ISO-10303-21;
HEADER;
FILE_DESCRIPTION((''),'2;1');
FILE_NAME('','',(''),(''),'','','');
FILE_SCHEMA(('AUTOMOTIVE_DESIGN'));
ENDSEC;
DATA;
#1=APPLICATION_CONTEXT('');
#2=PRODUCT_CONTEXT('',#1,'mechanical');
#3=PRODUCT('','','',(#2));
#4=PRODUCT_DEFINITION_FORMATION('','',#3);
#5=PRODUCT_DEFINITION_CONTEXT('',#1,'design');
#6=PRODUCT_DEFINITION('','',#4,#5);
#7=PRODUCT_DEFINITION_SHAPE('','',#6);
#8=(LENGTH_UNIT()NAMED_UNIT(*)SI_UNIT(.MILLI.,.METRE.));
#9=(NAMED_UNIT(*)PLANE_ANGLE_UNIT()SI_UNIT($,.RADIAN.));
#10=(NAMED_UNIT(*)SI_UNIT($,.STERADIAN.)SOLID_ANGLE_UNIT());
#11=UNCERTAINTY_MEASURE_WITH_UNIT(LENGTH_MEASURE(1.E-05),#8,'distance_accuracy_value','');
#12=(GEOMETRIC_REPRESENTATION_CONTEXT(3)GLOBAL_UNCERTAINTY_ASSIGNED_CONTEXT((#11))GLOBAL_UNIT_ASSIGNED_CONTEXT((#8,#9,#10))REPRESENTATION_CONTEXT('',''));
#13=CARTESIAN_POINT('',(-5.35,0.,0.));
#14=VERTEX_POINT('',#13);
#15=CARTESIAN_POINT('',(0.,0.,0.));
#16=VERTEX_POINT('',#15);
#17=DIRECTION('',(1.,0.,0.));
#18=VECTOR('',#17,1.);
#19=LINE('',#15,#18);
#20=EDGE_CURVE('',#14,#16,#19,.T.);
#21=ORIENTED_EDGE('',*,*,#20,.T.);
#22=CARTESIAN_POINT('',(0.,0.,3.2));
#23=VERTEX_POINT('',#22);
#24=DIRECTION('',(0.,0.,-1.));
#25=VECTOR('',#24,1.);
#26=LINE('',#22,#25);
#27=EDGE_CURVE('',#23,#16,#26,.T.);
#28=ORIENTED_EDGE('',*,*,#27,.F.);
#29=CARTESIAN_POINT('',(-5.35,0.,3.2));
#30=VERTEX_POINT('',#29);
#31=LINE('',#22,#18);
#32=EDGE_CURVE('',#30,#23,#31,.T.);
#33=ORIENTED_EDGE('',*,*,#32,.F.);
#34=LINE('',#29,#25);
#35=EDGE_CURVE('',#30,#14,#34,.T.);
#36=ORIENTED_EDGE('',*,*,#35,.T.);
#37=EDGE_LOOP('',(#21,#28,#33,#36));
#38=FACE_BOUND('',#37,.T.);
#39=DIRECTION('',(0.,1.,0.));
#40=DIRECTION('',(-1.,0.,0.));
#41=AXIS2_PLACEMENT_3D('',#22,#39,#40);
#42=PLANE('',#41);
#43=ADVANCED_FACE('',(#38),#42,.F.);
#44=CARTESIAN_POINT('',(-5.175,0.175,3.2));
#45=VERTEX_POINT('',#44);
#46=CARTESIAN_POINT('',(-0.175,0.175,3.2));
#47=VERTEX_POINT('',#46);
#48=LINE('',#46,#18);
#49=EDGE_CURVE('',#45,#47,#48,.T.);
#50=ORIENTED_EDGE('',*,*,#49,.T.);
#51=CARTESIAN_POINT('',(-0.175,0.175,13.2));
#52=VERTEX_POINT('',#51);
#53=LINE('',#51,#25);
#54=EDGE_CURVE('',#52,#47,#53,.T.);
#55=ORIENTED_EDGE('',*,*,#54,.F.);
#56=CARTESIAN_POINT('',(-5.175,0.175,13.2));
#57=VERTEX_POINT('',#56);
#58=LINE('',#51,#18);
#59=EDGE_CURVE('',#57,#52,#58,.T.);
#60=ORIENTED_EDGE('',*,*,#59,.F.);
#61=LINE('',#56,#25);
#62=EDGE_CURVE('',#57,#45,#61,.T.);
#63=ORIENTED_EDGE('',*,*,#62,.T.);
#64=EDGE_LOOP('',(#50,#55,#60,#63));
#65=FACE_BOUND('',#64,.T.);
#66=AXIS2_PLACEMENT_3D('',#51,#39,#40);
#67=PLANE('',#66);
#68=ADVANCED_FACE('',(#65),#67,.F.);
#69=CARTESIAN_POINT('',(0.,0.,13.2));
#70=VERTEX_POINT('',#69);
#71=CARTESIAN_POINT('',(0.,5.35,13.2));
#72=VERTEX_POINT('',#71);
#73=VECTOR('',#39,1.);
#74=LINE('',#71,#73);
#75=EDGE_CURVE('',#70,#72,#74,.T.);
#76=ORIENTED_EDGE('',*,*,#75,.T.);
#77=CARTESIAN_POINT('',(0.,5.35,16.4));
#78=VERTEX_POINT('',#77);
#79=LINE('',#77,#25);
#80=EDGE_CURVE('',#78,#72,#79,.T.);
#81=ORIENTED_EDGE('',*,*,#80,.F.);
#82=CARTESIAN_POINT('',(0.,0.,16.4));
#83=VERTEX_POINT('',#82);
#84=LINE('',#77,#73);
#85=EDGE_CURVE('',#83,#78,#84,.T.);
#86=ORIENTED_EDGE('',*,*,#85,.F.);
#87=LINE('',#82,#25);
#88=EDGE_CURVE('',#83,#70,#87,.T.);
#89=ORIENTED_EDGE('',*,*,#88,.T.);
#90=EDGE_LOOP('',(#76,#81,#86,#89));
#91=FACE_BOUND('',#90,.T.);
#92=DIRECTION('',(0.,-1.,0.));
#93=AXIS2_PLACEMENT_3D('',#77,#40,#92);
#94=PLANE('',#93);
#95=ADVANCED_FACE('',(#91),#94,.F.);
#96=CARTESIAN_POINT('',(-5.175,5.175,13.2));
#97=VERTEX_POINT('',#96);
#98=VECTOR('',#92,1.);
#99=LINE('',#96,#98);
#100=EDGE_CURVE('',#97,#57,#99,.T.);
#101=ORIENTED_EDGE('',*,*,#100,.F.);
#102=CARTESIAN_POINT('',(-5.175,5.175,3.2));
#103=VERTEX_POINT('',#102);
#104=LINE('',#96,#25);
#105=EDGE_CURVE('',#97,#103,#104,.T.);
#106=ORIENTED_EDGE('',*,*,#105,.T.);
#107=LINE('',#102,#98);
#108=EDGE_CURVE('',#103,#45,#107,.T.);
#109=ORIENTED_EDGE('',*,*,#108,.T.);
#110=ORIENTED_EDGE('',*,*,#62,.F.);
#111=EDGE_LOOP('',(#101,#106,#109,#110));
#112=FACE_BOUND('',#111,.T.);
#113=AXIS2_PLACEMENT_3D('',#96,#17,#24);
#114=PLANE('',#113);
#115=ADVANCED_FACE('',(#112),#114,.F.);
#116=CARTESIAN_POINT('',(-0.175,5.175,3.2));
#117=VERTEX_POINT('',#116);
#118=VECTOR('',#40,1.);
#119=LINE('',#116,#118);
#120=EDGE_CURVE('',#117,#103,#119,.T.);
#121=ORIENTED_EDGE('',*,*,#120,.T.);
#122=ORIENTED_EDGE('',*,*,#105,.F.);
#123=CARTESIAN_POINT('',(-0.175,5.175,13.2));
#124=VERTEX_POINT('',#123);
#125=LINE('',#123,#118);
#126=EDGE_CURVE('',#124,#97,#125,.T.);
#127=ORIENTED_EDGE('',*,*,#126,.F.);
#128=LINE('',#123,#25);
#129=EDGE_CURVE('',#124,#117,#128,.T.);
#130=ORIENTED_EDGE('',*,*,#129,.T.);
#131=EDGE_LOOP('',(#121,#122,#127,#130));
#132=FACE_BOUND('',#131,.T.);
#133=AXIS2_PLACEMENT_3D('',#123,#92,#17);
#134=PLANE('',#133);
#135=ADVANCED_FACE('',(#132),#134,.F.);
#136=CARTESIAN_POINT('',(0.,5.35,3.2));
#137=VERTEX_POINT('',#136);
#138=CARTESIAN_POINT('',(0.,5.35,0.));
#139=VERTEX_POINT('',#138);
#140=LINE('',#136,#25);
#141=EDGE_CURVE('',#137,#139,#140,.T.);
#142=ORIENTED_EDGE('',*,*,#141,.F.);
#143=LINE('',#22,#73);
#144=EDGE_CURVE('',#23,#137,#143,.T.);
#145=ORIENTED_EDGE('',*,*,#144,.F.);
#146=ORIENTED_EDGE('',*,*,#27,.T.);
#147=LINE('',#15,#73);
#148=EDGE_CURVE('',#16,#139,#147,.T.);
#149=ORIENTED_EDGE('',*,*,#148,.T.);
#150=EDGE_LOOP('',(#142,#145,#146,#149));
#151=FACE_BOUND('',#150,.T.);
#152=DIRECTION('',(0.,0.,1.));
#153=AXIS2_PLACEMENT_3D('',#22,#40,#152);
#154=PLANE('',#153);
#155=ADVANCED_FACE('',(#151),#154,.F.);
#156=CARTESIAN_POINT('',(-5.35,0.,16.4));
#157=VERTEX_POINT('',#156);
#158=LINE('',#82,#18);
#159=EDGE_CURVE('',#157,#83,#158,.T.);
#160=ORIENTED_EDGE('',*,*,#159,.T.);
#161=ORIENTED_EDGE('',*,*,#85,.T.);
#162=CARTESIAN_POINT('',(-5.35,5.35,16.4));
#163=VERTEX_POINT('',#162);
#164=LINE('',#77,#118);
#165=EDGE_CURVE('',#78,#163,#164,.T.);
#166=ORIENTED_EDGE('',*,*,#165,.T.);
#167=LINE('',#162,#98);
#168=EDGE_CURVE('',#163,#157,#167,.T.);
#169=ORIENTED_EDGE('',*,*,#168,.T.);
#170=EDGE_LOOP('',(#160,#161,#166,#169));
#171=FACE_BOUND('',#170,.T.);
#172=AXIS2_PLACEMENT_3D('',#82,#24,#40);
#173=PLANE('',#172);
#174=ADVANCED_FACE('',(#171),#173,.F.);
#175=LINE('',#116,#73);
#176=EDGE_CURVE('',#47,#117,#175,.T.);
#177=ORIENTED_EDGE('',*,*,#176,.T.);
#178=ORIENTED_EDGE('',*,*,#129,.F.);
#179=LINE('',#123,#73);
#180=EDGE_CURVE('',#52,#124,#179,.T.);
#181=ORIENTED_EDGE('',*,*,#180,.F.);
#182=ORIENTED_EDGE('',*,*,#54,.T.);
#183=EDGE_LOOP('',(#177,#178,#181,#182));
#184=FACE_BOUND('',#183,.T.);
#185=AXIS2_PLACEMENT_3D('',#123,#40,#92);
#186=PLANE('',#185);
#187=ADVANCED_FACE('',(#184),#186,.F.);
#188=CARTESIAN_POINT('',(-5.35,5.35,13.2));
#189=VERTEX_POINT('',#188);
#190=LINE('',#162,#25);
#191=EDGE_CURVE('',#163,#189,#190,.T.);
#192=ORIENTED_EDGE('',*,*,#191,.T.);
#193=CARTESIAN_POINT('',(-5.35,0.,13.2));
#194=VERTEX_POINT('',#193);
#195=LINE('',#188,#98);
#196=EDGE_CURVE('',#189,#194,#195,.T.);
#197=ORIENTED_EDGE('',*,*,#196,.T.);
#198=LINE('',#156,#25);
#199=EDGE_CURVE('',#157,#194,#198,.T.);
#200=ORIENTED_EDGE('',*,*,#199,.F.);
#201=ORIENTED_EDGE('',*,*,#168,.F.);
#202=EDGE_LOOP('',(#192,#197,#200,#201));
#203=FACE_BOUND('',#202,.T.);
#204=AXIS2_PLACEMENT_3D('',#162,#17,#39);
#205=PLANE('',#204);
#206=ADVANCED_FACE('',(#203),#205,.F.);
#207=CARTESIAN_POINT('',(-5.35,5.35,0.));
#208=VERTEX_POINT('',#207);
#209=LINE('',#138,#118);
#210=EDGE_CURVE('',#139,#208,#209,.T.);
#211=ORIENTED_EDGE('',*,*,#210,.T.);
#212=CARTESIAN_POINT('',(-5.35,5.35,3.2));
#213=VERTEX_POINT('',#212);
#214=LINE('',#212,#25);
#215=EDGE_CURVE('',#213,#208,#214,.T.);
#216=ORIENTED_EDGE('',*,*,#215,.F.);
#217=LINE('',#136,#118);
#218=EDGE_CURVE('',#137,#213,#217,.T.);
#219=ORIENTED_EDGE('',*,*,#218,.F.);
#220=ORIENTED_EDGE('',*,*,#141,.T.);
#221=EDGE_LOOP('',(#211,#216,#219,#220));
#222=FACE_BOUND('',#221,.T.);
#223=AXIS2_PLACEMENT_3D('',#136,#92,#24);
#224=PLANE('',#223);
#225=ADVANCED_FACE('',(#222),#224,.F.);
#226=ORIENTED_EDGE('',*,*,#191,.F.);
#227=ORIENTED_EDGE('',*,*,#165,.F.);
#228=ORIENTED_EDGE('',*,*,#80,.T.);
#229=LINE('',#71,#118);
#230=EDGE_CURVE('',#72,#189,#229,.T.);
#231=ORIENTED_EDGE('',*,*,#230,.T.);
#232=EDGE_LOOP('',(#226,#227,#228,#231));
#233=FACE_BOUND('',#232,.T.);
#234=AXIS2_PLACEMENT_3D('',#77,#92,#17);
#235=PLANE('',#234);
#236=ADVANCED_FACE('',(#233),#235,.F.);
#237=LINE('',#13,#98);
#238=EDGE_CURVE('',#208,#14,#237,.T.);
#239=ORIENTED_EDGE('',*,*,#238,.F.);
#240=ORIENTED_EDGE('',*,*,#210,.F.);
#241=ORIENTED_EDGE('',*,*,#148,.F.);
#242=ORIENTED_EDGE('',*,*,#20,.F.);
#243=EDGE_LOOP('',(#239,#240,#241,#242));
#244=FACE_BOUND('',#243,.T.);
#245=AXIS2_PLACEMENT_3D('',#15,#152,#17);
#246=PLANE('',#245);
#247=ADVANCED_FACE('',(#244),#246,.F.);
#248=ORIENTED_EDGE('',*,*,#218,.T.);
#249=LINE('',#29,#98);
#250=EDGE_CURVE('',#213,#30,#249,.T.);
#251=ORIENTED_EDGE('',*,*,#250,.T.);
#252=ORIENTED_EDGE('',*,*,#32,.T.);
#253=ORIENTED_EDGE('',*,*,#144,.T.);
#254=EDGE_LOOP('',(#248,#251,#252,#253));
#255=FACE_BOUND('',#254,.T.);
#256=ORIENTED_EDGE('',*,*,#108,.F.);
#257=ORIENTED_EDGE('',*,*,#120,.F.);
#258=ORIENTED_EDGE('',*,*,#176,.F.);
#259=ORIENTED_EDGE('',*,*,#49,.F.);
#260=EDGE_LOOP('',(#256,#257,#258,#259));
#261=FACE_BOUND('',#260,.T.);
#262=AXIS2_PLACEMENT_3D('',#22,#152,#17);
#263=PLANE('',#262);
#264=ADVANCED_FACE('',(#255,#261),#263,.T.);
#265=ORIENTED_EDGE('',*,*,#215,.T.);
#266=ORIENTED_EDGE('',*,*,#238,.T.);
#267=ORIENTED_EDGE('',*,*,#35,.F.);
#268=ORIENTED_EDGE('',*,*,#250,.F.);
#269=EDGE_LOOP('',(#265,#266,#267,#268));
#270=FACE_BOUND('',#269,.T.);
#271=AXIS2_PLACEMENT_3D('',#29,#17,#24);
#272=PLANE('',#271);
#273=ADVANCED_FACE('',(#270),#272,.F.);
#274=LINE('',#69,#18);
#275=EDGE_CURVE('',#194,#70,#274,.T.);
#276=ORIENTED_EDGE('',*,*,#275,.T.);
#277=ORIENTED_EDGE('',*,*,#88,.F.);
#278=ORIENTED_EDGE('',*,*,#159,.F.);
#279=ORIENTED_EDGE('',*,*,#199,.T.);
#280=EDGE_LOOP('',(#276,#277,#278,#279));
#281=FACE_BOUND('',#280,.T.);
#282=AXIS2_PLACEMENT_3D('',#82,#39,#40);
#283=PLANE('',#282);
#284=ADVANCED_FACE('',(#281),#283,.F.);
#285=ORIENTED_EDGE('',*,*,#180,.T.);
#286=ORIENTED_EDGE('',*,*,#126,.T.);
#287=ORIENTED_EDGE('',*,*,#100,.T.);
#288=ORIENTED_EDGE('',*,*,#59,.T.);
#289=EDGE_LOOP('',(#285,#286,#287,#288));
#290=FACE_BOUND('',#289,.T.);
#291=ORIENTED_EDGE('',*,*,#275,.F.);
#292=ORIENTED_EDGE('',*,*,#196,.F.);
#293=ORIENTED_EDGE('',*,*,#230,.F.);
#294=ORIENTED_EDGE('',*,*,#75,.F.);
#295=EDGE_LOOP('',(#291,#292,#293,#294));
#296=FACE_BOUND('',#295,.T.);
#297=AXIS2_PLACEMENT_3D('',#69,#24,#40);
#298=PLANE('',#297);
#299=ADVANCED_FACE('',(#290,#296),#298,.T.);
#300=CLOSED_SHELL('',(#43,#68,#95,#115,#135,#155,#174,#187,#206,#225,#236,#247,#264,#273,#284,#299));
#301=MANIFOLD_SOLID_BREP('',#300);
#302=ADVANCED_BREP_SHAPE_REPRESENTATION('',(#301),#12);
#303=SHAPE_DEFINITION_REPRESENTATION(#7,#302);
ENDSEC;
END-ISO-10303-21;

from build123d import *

# Parameters (mm, degrees)
SKETCH1_W           = 5.35
SKETCH1_H           = 5.35
BOSS_EXTRUDE1_DEPTH = 3.2
SKETCH2_W           = 5
SKETCH2_H           = 5
BOSS_EXTRUDE2_DEPTH = 10
SKETCH3_W           = 5.35
SKETCH3_H           = 5.35
BOSS_EXTRUDE3_DEPTH = 3.2


with BuildPart() as part:
    # Sketch1 → Boss-Extrude1 (new body)
    with BuildSketch(Plane.XY):
        with Locations((-2.675, 2.675)):
            Rectangle(SKETCH1_W, SKETCH1_H)
    extrude(amount=BOSS_EXTRUDE1_DEPTH)

    # Sketch2 → Boss-Extrude2 (add)
    with BuildSketch(Plane.XY.offset(3.2)):
        with Locations((-2.675, 2.675)):
            Rectangle(SKETCH2_W, SKETCH2_H)
    extrude(amount=BOSS_EXTRUDE2_DEPTH)

    # Sketch3 → Boss-Extrude3 (add)
    with BuildSketch(Plane.XY.offset(13.2)):
        with Locations((-2.675, 2.675)):
            Rectangle(SKETCH3_W, SKETCH3_H)
    extrude(amount=BOSS_EXTRUDE3_DEPTH)


solid = part.part
